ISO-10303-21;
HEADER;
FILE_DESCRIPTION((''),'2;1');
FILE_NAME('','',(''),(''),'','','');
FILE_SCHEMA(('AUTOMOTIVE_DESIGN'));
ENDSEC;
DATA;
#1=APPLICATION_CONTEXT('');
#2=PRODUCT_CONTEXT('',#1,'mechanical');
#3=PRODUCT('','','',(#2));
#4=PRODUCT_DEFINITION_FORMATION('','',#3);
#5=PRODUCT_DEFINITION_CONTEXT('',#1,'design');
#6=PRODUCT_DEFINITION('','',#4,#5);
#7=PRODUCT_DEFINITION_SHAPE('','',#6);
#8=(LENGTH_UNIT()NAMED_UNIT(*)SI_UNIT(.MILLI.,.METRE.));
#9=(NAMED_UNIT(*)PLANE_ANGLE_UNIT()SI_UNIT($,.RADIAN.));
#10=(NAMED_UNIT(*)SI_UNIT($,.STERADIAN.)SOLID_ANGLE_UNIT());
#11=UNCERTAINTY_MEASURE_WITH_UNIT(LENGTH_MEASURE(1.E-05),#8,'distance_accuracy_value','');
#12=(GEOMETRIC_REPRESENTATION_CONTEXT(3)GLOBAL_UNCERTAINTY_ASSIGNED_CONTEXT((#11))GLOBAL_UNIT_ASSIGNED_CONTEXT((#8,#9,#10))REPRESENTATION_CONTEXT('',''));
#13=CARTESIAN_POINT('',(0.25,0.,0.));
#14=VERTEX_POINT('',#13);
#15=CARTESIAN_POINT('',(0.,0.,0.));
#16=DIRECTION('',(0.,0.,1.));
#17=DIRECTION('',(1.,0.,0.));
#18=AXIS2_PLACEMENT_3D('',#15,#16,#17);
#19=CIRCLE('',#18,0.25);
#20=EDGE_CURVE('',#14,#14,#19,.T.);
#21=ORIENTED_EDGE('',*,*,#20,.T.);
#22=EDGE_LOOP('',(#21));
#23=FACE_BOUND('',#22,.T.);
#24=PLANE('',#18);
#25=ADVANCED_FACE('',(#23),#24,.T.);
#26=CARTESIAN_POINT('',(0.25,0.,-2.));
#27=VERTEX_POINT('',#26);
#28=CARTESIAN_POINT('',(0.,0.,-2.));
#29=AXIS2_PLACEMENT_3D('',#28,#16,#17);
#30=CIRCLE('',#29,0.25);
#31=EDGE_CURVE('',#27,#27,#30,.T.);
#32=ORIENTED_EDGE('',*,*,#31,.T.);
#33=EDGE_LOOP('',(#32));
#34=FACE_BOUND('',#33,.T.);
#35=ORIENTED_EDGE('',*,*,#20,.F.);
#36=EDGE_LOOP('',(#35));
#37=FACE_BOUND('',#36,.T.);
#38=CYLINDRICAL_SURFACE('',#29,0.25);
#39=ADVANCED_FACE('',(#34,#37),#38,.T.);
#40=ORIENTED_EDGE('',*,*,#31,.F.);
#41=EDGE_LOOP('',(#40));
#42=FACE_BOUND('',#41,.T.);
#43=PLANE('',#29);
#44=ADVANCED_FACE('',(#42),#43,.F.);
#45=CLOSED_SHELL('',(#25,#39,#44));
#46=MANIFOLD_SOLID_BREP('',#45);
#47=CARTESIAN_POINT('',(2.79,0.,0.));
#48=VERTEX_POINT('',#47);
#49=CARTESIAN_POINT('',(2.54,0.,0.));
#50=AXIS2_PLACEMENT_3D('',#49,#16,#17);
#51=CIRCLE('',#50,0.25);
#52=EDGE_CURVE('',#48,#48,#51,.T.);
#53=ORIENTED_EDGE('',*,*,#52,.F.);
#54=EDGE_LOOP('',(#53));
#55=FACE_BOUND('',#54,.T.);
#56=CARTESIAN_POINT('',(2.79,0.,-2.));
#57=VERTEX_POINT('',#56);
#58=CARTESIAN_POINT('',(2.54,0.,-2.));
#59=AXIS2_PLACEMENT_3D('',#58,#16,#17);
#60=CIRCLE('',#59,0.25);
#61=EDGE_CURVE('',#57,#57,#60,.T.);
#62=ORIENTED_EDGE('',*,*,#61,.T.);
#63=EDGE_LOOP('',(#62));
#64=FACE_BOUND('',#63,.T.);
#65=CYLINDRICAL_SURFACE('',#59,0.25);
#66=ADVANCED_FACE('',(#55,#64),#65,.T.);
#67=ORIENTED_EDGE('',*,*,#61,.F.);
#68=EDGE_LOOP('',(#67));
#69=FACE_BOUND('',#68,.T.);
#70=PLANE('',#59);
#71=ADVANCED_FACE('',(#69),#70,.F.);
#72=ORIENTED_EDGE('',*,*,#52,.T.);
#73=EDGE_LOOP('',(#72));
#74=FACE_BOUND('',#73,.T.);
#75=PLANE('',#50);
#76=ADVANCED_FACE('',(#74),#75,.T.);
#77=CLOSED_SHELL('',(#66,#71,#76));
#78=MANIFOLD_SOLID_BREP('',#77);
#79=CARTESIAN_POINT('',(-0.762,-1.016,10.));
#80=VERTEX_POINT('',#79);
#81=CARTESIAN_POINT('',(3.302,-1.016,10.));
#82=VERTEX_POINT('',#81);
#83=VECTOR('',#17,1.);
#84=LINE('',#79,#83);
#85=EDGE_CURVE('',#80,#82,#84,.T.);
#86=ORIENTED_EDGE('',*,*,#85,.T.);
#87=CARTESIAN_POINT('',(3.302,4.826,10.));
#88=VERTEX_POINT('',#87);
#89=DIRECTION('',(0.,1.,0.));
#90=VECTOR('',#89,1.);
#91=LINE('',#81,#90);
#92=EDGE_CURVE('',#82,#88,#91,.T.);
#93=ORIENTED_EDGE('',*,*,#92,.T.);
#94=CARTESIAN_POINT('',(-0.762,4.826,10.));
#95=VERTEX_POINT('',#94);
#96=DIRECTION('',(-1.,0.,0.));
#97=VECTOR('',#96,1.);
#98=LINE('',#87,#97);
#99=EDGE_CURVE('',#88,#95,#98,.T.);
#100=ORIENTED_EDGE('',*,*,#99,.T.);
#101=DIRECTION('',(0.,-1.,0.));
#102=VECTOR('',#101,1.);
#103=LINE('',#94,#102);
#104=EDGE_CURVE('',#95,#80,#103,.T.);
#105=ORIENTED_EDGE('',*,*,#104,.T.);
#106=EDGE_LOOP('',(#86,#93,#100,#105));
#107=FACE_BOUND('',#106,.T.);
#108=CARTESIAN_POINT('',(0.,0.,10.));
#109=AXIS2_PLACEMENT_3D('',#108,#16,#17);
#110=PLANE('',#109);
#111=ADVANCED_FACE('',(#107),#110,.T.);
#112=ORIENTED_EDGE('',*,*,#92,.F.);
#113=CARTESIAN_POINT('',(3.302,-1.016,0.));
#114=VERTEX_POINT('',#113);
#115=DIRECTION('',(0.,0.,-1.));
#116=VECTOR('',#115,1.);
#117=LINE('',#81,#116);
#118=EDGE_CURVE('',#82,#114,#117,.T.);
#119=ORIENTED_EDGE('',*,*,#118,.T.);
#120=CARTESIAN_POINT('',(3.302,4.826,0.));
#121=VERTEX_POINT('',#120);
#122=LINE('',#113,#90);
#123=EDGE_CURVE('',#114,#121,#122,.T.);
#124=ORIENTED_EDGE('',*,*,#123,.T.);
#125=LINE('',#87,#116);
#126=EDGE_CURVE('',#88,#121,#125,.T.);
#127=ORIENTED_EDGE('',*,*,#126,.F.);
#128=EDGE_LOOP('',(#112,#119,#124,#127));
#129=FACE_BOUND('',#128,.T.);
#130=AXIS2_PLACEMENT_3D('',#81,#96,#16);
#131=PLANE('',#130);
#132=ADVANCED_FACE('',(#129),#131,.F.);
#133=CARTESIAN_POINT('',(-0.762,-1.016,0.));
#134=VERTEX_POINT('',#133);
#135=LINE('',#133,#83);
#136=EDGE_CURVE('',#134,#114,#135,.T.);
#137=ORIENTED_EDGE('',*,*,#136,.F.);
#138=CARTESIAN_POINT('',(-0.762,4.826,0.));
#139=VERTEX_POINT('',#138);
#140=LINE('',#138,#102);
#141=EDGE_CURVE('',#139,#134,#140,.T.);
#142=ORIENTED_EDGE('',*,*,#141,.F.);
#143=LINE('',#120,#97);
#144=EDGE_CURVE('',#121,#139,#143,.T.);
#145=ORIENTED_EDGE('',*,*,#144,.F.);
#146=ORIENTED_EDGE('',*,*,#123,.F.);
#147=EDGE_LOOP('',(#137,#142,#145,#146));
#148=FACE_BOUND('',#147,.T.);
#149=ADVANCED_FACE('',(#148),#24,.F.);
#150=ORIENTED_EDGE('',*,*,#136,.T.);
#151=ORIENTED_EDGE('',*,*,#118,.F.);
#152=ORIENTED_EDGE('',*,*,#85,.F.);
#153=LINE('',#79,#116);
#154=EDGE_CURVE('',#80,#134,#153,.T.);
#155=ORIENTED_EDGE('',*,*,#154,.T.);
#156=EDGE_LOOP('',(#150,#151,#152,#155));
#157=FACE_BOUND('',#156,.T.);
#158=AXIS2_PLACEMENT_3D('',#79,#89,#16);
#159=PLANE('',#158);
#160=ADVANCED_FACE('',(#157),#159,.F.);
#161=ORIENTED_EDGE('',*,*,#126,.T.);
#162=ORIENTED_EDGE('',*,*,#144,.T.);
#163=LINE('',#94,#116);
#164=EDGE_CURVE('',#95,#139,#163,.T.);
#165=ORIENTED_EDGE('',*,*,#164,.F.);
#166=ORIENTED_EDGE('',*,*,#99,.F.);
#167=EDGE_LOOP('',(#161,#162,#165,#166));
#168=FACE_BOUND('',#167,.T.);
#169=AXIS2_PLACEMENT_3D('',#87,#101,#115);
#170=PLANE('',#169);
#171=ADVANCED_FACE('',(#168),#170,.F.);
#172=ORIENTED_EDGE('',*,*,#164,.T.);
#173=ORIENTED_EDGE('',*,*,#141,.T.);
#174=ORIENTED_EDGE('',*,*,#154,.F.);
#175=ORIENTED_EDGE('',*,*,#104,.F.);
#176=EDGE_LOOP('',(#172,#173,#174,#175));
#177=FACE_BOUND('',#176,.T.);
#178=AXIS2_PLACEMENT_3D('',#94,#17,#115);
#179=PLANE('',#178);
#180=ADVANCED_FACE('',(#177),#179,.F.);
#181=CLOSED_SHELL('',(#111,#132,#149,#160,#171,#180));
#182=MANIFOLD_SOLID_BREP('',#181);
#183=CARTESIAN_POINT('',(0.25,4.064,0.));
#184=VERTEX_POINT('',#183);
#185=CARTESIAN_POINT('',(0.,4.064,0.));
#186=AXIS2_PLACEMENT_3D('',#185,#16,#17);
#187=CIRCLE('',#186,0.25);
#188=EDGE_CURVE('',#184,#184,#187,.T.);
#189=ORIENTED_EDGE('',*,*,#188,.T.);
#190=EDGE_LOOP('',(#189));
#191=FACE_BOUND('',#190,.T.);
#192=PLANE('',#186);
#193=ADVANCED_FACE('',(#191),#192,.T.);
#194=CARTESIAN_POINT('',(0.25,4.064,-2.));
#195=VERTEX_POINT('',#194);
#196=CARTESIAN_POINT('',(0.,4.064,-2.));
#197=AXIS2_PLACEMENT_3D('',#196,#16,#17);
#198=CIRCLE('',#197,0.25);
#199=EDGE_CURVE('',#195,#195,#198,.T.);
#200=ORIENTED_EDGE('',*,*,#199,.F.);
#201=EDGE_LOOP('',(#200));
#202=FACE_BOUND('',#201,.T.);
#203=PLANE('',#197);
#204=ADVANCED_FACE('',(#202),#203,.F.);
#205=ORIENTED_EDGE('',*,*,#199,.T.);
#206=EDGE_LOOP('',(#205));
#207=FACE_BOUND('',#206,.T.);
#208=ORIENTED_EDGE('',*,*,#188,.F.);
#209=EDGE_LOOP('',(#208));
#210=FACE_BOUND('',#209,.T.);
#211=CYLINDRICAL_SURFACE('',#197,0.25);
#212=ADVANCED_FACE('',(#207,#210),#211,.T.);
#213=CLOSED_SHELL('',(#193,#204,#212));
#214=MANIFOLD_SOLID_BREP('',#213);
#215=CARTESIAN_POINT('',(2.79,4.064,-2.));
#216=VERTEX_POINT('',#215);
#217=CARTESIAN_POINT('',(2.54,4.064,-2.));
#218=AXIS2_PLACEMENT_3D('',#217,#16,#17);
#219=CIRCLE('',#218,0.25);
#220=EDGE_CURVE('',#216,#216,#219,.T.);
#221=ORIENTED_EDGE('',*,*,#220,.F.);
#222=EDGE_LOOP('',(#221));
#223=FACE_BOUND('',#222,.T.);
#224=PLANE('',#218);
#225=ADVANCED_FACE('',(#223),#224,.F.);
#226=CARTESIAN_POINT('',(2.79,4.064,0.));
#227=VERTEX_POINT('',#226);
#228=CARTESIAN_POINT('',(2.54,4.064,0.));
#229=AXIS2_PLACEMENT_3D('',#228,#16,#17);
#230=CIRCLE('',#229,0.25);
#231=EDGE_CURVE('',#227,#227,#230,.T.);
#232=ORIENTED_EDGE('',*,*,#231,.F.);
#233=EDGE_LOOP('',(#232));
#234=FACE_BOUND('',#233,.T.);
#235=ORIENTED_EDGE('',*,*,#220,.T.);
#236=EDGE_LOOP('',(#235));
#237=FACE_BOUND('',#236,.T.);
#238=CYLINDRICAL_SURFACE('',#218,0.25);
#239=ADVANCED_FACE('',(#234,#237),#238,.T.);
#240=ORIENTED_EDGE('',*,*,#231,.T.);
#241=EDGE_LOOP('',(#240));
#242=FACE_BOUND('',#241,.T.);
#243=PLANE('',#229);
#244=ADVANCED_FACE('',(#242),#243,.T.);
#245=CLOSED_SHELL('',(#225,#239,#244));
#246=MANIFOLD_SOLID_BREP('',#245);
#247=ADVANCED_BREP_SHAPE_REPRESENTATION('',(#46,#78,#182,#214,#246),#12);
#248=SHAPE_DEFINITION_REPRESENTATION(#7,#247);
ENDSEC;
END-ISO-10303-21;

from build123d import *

# Parameters (mm, degrees)
SKETCH1_W               = 4.064
SKETCH1_H               = 5.842
COMPONENT_OUTLINE_DEPTH = 10
SKETCH2_R               = 0.25
EXTRUDE_1_DEPTH         = 2
SKETCH3_R               = 0.25
EXTRUDE_2_DEPTH         = 2
SKETCH4_R               = 0.25
EXTRUDE_3_DEPTH         = 2
SKETCH5_R               = 0.25
EXTRUDE_4_DEPTH         = 2


with BuildPart() as part:
    # Sketch1 → Component_Outline (new body)
    with BuildSketch(Plane.XY):
        with Locations((1.27, 1.905)):
            Rectangle(SKETCH1_W, SKETCH1_H)
    extrude(amount=COMPONENT_OUTLINE_DEPTH)


with BuildPart() as body_2:
    # Sketch2 → Extrude 1 (new body)
    with BuildSketch(Plane.XY):
        with Locations((0, 4.064)):
            Circle(SKETCH2_R)
    extrude(amount=-EXTRUDE_1_DEPTH)


with BuildPart() as body_3:
    # Sketch3 → Extrude 2 (new body)
    with BuildSketch(Plane.XY):
        with Locations((2.54, 4.064)):
            Circle(SKETCH3_R)
    extrude(amount=-EXTRUDE_2_DEPTH)


with BuildPart() as body_4:
    # Sketch4 → Extrude 3 (new body)
    with BuildSketch(Plane.XY):
        with Locations((2.54, 0)):
            Circle(SKETCH4_R)
    extrude(amount=-EXTRUDE_3_DEPTH)


with BuildPart() as body_5:
    # Sketch5 → Extrude 4 (new body)
    with BuildSketch(Plane.XY):
        Circle(SKETCH5_R)
    extrude(amount=-EXTRUDE_4_DEPTH)


solid = Compound([part.part, body_2.part, body_3.part, body_4.part, body_5.part])
